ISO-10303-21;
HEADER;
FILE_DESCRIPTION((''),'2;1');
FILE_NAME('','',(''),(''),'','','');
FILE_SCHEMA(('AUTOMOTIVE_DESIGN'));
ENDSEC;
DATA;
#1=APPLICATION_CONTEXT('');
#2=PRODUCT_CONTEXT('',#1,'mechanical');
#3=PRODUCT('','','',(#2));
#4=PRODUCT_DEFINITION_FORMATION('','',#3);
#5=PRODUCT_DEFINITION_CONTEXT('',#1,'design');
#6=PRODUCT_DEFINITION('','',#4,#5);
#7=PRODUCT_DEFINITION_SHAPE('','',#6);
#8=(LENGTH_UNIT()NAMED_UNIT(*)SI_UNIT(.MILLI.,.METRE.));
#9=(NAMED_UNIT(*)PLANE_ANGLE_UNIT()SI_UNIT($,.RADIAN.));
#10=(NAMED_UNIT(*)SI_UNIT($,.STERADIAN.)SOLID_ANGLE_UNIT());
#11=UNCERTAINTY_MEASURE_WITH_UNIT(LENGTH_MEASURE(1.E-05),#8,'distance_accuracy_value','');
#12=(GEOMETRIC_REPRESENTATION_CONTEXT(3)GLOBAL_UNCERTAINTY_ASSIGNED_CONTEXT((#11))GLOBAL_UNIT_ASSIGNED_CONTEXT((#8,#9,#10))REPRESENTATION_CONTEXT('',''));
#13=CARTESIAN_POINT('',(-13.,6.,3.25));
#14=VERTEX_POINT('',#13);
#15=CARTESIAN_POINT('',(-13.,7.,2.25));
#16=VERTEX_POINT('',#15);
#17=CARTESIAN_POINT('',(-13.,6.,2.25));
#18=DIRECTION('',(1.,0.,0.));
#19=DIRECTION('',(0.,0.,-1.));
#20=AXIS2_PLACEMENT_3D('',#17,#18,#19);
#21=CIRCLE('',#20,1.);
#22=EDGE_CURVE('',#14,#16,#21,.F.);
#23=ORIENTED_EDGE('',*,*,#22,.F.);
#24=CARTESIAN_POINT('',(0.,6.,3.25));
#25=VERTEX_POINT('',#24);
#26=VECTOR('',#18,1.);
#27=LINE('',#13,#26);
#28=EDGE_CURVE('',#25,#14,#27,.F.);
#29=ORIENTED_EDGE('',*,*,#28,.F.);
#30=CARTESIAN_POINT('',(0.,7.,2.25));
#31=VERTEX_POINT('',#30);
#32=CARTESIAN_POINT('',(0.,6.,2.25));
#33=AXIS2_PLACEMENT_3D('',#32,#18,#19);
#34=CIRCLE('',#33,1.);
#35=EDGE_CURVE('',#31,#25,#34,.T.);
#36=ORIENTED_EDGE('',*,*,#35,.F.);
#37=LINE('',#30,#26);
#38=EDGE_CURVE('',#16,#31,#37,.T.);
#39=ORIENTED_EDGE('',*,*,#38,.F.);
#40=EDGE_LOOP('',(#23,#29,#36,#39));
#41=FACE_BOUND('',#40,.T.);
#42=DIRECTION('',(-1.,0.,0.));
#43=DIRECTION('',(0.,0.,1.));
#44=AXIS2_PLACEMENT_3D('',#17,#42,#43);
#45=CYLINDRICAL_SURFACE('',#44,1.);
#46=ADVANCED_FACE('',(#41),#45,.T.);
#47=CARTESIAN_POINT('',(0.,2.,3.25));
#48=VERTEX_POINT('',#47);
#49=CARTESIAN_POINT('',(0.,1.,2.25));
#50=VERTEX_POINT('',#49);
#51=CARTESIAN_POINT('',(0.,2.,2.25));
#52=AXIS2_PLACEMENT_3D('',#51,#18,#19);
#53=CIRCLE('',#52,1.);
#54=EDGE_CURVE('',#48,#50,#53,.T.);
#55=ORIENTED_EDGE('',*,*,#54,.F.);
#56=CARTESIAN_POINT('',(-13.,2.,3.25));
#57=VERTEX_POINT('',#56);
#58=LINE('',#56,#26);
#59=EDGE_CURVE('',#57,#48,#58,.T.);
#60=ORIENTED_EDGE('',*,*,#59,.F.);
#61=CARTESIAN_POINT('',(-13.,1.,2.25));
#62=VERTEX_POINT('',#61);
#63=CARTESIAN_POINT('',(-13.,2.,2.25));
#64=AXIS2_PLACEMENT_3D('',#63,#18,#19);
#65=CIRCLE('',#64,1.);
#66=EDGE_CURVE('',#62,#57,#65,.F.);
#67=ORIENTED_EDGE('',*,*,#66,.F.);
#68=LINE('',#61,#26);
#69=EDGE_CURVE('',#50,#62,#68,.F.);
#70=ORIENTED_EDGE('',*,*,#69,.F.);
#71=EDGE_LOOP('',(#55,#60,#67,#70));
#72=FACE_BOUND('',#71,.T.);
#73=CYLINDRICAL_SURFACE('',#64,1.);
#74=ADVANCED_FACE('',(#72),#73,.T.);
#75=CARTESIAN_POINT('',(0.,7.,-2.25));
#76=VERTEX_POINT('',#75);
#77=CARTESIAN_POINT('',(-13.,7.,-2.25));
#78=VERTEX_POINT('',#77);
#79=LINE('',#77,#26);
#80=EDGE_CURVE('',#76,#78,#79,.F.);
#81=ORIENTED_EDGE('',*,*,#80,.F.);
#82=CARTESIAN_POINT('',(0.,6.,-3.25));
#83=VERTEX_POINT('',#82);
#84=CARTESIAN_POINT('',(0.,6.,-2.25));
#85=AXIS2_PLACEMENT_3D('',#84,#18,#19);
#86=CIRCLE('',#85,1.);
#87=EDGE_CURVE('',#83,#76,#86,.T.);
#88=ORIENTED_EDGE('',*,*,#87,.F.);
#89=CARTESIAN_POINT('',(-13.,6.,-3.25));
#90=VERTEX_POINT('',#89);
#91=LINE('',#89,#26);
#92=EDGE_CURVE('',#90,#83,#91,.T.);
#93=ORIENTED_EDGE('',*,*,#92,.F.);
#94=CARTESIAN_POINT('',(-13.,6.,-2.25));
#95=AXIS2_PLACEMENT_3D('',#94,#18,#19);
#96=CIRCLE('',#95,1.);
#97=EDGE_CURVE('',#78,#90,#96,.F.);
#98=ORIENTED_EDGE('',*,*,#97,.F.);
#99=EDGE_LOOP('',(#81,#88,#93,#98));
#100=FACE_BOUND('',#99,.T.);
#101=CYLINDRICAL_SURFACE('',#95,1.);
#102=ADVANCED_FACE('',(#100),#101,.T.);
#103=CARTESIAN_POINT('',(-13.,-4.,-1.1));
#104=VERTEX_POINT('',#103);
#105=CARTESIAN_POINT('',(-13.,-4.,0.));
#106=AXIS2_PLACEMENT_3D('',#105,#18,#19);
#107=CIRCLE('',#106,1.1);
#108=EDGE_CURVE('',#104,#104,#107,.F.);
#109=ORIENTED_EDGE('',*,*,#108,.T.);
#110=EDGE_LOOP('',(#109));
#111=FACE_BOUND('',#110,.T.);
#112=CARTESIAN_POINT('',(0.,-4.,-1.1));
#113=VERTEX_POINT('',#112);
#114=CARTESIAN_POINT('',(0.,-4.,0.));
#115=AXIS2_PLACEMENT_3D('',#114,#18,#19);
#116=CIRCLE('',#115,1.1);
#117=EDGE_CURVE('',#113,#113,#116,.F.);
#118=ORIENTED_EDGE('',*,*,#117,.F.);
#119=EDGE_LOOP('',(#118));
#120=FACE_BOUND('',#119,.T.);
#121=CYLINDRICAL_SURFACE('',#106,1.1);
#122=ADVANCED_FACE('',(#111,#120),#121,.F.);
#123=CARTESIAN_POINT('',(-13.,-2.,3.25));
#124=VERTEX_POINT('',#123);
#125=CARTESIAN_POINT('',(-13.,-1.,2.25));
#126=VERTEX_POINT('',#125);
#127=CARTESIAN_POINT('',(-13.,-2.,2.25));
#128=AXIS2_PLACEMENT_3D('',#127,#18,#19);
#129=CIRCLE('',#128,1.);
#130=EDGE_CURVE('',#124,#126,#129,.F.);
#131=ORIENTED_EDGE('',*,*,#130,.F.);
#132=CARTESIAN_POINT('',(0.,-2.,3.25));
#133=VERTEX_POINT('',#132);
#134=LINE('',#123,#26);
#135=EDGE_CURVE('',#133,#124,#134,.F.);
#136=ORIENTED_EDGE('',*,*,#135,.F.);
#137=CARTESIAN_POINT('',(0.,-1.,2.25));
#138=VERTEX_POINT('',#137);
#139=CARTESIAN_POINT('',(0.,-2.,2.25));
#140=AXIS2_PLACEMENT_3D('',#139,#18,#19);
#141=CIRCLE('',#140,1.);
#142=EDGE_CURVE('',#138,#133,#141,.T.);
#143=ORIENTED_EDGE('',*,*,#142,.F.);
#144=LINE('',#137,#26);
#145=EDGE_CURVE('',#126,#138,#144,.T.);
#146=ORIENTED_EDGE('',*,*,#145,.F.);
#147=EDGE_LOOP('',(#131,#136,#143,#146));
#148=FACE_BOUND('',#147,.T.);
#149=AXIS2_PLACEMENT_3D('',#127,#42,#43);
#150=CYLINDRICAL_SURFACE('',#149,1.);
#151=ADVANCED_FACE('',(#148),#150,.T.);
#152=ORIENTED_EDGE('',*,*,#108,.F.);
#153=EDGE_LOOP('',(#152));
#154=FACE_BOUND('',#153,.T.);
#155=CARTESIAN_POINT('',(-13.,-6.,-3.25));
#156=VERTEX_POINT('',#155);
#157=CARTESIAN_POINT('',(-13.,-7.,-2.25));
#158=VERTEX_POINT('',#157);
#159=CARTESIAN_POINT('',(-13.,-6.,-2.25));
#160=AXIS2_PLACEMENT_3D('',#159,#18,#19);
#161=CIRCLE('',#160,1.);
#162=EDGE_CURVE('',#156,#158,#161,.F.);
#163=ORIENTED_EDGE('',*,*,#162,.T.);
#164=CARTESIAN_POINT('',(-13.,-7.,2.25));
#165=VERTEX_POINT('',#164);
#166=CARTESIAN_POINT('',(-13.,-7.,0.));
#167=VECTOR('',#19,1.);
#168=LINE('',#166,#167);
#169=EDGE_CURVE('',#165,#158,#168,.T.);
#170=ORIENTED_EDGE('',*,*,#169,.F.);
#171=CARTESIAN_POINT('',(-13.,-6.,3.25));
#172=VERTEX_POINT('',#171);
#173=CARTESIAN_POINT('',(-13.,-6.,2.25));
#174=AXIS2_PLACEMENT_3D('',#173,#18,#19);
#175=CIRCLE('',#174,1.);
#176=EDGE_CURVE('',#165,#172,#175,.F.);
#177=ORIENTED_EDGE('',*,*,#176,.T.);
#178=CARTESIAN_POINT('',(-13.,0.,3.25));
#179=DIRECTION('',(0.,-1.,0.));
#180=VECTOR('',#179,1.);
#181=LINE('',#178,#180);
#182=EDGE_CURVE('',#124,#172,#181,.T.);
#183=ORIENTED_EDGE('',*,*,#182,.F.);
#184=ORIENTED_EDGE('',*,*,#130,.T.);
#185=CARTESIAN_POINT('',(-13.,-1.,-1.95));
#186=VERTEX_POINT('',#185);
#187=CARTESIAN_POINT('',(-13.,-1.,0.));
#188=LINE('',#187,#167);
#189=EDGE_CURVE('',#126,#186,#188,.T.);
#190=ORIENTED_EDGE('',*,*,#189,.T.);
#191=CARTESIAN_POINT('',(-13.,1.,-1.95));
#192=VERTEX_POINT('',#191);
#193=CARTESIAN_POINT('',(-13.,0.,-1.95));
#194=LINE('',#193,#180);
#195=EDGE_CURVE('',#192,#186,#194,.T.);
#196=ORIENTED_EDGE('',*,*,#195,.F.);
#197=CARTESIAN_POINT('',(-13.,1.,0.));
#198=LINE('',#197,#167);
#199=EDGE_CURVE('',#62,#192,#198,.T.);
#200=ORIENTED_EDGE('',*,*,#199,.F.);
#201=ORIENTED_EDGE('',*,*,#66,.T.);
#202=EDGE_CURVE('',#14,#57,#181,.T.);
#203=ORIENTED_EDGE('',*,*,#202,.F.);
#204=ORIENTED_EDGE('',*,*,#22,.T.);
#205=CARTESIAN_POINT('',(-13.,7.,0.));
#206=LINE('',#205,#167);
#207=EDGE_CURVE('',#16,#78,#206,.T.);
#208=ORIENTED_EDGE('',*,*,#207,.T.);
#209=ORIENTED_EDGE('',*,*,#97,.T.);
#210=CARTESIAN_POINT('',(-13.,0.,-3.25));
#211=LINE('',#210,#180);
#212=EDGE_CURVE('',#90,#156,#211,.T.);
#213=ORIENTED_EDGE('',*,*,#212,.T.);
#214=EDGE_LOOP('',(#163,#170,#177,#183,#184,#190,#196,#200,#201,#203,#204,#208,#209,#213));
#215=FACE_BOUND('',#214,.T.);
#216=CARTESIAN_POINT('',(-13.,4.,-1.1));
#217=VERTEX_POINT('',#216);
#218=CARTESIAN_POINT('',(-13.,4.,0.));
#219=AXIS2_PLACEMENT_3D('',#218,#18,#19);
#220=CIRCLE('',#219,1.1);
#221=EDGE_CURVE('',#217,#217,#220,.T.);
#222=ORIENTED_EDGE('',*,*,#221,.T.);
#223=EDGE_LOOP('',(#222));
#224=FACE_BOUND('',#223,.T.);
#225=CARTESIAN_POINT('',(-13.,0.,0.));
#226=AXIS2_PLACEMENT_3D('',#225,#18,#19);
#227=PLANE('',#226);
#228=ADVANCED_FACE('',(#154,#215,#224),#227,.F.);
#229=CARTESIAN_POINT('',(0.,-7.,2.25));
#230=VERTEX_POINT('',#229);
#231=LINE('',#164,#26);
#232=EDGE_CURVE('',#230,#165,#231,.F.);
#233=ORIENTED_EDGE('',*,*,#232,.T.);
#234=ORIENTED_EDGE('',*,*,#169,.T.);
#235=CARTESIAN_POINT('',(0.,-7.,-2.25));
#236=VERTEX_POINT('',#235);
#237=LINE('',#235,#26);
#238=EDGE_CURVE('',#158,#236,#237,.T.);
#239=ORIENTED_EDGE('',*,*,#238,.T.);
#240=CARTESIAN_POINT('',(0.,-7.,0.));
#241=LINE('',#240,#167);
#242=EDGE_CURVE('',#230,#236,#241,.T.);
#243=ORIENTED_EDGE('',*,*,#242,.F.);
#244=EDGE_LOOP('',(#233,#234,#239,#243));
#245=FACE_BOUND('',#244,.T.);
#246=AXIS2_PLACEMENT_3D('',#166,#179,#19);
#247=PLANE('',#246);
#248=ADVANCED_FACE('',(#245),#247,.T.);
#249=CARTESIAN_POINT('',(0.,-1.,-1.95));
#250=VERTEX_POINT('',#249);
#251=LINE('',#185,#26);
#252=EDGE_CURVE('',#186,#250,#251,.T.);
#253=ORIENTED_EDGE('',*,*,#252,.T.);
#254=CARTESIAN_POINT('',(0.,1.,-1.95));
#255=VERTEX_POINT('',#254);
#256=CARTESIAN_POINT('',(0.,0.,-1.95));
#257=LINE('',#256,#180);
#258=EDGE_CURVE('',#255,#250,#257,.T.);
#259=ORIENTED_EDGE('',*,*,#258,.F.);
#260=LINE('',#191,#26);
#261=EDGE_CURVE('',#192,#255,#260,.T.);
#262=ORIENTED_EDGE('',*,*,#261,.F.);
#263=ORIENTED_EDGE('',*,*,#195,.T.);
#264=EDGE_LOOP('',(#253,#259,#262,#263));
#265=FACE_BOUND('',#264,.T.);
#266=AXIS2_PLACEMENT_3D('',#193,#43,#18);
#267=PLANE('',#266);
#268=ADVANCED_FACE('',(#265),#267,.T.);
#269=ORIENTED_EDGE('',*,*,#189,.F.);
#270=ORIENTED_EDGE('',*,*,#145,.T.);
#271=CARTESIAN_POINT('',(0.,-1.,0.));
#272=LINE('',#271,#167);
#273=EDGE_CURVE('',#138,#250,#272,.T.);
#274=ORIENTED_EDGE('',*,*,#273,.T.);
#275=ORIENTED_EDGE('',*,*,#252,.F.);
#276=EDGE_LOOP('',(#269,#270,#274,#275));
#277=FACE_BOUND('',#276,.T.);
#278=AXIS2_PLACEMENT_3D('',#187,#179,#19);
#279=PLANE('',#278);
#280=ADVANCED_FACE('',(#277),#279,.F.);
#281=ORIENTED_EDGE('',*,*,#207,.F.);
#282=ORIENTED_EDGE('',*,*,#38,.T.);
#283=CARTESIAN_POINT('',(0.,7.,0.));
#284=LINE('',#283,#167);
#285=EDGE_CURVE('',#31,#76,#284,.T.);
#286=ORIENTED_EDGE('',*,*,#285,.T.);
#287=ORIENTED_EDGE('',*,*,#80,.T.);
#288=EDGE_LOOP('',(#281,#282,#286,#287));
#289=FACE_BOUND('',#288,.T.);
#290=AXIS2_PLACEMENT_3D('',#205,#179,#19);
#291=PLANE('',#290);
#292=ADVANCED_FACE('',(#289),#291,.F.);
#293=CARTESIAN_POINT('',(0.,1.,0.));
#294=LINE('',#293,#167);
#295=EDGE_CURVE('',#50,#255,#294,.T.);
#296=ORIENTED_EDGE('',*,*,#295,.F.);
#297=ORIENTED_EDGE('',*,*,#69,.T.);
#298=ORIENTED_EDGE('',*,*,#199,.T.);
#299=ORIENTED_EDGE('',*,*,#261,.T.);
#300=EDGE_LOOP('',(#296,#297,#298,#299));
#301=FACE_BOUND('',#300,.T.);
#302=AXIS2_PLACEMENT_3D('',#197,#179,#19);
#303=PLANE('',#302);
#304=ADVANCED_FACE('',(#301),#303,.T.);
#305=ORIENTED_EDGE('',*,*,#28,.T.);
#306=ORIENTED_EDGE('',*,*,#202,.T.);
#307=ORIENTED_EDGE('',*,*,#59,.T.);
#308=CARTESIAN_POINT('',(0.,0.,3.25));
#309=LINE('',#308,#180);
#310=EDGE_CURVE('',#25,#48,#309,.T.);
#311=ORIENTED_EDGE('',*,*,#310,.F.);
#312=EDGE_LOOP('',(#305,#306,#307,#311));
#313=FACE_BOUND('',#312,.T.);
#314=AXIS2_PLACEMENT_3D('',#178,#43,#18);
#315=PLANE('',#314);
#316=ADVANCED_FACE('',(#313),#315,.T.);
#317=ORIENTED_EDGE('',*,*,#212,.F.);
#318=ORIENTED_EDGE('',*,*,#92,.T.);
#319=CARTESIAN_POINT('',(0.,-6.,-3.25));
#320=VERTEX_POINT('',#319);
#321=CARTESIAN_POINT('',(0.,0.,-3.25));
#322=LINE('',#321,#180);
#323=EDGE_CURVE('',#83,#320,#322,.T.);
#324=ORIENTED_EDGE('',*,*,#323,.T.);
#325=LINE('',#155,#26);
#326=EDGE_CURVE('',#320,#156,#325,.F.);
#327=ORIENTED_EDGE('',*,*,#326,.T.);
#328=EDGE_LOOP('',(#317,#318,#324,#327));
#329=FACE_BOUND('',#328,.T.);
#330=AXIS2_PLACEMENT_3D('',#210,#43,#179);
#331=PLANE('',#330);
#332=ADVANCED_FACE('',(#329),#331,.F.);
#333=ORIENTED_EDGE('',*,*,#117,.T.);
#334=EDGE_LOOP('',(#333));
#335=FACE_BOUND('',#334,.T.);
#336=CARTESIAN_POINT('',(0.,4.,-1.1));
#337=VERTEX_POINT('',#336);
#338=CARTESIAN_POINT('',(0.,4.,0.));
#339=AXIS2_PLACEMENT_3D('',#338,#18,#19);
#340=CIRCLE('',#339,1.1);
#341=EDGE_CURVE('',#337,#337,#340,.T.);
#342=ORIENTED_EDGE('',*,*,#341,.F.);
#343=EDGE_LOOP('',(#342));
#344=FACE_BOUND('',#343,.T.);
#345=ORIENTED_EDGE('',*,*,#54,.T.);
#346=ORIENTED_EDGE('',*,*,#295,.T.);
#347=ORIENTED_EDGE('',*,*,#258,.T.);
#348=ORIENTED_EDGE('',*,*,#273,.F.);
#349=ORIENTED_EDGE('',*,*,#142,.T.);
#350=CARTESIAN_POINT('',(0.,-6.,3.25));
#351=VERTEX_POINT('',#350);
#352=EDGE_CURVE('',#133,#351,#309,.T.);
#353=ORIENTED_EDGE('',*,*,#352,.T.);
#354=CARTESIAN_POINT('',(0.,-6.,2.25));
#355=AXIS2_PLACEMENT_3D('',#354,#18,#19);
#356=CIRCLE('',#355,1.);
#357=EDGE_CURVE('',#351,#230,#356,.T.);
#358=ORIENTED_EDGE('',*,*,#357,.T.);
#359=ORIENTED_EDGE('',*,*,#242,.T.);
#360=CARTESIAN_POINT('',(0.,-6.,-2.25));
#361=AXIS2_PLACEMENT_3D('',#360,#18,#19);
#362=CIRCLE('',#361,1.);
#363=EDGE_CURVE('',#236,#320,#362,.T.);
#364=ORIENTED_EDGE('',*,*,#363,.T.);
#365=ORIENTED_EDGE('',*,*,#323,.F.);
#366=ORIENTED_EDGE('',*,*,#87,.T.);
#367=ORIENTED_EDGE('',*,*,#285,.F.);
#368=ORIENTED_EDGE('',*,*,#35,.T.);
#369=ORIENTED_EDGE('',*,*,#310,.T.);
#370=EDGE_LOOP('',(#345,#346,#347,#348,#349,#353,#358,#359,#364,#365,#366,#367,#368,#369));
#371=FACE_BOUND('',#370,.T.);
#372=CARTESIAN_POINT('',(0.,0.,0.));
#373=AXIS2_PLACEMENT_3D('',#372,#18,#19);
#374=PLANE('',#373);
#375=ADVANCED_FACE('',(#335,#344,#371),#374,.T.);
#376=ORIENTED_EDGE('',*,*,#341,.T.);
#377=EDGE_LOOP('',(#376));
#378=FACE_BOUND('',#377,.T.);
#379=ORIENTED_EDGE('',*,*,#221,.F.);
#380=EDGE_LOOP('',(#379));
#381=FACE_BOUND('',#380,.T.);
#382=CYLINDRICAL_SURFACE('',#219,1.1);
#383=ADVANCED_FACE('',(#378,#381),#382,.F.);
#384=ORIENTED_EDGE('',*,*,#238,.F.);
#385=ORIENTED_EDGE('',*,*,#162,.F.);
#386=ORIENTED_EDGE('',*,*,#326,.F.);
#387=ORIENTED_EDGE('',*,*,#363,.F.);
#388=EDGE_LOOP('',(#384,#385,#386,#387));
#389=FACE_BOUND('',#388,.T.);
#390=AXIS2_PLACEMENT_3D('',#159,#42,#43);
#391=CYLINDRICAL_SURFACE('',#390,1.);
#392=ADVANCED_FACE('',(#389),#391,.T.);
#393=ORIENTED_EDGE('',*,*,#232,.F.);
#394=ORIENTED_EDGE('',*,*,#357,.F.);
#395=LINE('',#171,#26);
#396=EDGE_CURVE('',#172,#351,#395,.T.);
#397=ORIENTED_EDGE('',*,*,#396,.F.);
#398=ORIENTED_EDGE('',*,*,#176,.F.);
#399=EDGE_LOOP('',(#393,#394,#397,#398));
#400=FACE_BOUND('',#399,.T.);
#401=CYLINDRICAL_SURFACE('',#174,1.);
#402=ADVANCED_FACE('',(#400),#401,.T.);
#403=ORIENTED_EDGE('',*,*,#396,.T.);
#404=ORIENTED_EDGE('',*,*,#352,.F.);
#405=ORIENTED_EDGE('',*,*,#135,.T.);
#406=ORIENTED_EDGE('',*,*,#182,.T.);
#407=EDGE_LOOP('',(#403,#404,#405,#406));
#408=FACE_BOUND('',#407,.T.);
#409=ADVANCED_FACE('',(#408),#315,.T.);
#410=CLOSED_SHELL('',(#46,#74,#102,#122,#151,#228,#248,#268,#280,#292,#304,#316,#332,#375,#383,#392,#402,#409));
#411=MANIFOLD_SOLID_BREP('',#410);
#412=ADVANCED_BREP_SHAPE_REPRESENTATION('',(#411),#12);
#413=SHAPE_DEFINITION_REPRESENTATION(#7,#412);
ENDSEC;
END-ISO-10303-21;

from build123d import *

# Parameters (mm, degrees)
SKETCH_1_R      = 1.1
EXTRUDE_1_DEPTH = 13
FILLET_1_R      = 1


with BuildPart() as part:
    # 草图1 → 凸台-拉伸1 (new body)
    with BuildSketch(Plane(origin=(0, 0, 0), x_dir=(0, 0, -1), z_dir=(1, 0, 0))):
        Polygon((3.25, 7), (-3.25, 7), (-3.25, 1), (1.95, 1), (1.95, -1), (-3.25, -1), (-3.25, -7), (3.25, -7), align=None)
        with Locations((0, -4)):
            Circle(SKETCH_1_R, mode=Mode.SUBTRACT)
        with Locations((0, 4)):
            Circle(SKETCH_1_R, mode=Mode.SUBTRACT)
    extrude(amount=-EXTRUDE_1_DEPTH)

    # 圆角1
    fillet_1_edges = [part.edges().sort_by_distance(p)[0] for p in [
        (-6.5, 1, 3.25),
        (-6.5, 7, 3.25),
        (-6.5, 7, -3.25),
        (-6.5, -7, -3.25),
        (-6.5, -7, 3.25),
        (-6.5, -1, 3.25),
    ]]
    fillet(fillet_1_edges, radius=FILLET_1_R)


solid = part.part
